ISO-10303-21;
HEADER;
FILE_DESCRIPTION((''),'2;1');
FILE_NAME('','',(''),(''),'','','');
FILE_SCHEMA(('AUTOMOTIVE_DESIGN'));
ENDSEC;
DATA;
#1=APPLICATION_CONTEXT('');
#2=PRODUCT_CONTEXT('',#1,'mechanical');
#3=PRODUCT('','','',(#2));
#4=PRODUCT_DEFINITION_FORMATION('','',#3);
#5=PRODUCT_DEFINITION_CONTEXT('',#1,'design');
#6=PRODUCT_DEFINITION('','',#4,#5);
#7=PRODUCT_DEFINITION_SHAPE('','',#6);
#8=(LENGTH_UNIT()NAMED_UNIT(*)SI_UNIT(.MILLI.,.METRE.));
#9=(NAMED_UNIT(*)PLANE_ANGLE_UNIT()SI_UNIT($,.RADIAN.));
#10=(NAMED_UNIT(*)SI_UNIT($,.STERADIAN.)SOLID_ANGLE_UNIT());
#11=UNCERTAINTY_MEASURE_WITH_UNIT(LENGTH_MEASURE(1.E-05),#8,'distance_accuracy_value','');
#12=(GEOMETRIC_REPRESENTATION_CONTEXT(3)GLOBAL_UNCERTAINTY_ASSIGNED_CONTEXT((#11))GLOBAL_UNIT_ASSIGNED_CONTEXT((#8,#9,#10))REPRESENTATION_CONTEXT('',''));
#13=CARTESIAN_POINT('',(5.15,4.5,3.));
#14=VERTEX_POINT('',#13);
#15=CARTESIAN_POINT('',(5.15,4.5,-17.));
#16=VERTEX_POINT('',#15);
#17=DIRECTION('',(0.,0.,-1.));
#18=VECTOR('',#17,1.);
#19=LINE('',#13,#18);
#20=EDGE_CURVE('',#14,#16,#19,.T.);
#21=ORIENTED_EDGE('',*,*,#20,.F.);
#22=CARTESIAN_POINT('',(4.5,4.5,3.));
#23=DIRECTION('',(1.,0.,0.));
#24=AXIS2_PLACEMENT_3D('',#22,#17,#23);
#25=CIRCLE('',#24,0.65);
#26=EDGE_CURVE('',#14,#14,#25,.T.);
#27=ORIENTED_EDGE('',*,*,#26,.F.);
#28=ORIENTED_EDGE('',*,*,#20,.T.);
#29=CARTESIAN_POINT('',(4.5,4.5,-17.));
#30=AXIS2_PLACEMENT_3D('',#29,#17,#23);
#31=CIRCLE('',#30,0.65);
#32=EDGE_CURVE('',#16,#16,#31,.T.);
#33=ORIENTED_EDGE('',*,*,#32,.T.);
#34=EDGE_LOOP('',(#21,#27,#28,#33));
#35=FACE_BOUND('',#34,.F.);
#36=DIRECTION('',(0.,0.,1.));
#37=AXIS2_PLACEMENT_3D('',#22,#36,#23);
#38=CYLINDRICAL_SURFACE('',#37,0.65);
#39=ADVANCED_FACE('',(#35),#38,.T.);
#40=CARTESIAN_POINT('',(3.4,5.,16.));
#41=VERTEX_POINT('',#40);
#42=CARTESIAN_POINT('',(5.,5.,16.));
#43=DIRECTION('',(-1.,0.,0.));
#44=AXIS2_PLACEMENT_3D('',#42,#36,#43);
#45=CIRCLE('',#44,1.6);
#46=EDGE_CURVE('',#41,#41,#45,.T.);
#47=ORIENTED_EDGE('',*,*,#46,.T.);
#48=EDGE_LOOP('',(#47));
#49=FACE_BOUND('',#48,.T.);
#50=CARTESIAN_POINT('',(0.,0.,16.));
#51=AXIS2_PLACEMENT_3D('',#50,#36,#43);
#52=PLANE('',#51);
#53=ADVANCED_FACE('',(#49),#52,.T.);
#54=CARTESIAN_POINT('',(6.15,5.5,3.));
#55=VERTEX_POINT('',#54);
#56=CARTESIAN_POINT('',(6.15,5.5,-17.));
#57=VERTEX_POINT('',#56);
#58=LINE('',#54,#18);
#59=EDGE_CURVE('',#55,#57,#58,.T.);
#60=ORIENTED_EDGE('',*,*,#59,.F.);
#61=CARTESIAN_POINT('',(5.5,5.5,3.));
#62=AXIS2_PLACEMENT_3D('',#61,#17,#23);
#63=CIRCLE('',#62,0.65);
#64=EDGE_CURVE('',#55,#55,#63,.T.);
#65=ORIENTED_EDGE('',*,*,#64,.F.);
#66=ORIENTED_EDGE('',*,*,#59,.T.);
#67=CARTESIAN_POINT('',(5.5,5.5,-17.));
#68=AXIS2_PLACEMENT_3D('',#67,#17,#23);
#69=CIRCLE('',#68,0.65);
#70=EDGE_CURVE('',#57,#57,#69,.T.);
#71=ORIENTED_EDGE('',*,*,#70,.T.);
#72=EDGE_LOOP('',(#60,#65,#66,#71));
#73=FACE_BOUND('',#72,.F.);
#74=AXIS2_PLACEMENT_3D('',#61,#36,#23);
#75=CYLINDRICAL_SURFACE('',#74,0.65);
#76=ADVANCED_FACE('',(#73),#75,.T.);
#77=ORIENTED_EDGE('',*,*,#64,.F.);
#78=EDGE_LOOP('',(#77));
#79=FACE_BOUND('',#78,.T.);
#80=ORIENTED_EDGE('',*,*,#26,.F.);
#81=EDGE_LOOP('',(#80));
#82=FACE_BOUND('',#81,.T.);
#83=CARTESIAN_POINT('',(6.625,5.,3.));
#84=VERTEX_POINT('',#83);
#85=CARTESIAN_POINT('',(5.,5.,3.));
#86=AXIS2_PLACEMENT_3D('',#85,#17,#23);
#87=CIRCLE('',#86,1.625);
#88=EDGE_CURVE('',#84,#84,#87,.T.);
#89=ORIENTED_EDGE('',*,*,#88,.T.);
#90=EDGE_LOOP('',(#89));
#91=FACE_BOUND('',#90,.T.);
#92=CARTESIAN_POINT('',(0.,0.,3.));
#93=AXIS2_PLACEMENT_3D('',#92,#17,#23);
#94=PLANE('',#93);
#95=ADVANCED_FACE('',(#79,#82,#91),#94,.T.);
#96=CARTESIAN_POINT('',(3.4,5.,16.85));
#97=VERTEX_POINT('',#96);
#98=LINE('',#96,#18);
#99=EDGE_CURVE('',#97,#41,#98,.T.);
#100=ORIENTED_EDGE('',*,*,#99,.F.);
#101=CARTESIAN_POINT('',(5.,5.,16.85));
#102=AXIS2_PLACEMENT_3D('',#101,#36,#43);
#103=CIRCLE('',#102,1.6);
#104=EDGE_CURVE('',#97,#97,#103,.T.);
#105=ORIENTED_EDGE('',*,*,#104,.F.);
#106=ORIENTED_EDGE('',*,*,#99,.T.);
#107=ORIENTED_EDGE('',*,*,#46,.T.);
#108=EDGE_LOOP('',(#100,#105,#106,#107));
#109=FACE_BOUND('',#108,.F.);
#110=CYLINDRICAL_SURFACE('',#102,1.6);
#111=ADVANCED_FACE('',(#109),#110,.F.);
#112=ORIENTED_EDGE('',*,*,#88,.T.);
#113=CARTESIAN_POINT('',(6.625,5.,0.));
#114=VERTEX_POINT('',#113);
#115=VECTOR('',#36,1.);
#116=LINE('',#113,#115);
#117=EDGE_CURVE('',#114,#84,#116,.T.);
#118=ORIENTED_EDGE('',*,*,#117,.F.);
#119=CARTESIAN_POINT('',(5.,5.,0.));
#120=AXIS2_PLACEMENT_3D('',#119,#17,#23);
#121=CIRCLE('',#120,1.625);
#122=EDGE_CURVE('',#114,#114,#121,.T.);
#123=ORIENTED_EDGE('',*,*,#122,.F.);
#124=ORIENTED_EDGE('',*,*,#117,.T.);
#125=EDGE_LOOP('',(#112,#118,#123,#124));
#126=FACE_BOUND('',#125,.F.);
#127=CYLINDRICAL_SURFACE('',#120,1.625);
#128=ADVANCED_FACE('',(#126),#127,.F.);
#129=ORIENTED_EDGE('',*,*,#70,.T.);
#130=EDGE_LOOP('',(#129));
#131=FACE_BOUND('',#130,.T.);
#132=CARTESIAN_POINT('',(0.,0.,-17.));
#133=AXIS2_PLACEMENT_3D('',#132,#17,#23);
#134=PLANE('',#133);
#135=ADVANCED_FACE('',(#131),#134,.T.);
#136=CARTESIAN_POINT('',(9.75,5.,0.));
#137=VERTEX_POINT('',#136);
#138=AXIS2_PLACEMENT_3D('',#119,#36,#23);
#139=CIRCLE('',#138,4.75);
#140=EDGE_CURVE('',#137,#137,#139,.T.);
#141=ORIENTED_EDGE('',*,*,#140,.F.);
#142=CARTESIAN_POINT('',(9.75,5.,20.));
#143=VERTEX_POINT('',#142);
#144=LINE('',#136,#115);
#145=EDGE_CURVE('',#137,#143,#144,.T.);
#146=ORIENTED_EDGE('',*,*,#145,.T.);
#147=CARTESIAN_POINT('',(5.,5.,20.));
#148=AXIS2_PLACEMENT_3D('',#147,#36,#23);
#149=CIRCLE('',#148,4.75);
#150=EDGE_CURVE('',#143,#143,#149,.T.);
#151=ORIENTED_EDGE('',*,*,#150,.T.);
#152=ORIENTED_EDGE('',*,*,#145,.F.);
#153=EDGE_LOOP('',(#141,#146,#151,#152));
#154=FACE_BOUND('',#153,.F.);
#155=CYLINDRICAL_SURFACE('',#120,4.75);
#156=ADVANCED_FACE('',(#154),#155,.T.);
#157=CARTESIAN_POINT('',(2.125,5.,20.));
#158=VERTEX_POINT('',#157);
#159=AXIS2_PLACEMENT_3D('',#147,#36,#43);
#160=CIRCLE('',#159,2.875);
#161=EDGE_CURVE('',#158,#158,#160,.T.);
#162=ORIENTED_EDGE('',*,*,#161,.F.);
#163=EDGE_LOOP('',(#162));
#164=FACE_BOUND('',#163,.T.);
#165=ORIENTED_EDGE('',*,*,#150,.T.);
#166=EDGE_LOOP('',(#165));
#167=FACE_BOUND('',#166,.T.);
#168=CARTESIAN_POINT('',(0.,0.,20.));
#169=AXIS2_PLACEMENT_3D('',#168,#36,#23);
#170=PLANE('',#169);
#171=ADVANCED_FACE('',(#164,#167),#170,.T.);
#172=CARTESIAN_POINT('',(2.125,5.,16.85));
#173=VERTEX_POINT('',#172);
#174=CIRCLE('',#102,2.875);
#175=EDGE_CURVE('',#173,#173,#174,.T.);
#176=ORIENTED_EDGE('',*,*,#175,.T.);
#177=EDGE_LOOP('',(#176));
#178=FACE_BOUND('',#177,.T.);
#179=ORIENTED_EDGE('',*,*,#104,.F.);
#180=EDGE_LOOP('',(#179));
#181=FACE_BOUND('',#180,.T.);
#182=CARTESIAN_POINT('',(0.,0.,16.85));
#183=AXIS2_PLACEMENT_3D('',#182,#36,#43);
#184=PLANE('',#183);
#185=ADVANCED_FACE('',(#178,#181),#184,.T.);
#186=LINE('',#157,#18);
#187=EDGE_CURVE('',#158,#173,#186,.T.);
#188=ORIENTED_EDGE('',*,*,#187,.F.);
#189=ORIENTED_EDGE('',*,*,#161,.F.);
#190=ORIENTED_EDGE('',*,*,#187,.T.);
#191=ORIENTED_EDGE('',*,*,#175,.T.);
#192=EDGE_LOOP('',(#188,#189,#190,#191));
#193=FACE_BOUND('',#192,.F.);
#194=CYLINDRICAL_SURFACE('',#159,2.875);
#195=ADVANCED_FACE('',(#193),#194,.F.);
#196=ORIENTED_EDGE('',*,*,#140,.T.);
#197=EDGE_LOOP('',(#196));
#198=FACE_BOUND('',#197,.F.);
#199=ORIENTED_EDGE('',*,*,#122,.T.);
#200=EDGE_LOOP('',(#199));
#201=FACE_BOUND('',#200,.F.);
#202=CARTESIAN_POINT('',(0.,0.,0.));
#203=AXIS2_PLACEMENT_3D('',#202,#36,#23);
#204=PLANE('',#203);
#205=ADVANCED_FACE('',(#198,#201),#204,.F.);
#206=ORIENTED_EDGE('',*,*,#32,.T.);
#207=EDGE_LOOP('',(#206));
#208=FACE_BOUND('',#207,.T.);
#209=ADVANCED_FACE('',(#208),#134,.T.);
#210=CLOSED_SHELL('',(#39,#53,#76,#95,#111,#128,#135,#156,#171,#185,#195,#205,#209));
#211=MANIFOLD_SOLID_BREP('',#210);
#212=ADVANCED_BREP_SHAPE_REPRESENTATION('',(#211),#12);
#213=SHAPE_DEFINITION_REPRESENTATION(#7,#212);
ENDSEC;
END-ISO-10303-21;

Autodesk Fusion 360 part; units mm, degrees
sketch "Sketch1" plane through (0, 0, 0) normal (0, 0, 1) x (1, 0, 0)
  circle A0 centre (5, 5) radius 4.75
  dimension "d1" = 9.5
extrude "Extrude1" add sketch "Sketch1" along normal blind 20
sketch "Sketch2" plane through (0, 0, 20) normal (0, 0, 1) x (-1, 0, 0)
  circle A0 centre (-5, -5) radius 4.75
  circle A1 centre (-5, -5) radius 2.875
  dimension "d4" = 5.75
extrude "Extrude2" cut sketch "Sketch2" against normal blind 3.15 contours A1
sketch "Sketch3" plane through (0, 0, 16.85) normal (0, 0, 1) x (-1, 0, 0)
  circle A0 centre (-5, -5) radius 2.875
  circle A1 centre (-5, -5) radius 1.6
  dimension "d7" = 3.2
extrude "Extrude3" cut sketch "Sketch3" against normal blind 0.85 contours A1
sketch "Sketch4" plane through (0, 0, 0) normal (0, 0, -1) x (1, 0, 0)
  circle A0 centre (5, -5) radius 4.75
  circle A1 centre (5, -5) radius 1.625
  dimension "d10" = 3.25
extrude "Extrude4" cut sketch "Sketch4" against normal blind 3 contours A1
sketch "Sketch6" plane through (0, 0, 3) normal (0, 0, -1) x (1, 0, 0)
  circle A0 centre (5, -5) radius 1.625
  circle A1 centre (4.5, -4.5) radius 0.65
  circle A2 centre (5.5, -5.5) radius 0.65
  dimension "d13" = 1.3
  dimension "d14" = 1.3
sketch "Sketch7" plane through (0, 0, 0) normal (0, 0, -1) x (1, 0, 0)
  circle A0 centre (5, -5) radius 1.625
  circle A1 centre (5, -5) radius 4.75
extrude "Extrude5" add sketch "Sketch6" along normal blind 20 contours A1
extrude "Extrude6" add sketch "Sketch6" along normal blind 20 contours A2
